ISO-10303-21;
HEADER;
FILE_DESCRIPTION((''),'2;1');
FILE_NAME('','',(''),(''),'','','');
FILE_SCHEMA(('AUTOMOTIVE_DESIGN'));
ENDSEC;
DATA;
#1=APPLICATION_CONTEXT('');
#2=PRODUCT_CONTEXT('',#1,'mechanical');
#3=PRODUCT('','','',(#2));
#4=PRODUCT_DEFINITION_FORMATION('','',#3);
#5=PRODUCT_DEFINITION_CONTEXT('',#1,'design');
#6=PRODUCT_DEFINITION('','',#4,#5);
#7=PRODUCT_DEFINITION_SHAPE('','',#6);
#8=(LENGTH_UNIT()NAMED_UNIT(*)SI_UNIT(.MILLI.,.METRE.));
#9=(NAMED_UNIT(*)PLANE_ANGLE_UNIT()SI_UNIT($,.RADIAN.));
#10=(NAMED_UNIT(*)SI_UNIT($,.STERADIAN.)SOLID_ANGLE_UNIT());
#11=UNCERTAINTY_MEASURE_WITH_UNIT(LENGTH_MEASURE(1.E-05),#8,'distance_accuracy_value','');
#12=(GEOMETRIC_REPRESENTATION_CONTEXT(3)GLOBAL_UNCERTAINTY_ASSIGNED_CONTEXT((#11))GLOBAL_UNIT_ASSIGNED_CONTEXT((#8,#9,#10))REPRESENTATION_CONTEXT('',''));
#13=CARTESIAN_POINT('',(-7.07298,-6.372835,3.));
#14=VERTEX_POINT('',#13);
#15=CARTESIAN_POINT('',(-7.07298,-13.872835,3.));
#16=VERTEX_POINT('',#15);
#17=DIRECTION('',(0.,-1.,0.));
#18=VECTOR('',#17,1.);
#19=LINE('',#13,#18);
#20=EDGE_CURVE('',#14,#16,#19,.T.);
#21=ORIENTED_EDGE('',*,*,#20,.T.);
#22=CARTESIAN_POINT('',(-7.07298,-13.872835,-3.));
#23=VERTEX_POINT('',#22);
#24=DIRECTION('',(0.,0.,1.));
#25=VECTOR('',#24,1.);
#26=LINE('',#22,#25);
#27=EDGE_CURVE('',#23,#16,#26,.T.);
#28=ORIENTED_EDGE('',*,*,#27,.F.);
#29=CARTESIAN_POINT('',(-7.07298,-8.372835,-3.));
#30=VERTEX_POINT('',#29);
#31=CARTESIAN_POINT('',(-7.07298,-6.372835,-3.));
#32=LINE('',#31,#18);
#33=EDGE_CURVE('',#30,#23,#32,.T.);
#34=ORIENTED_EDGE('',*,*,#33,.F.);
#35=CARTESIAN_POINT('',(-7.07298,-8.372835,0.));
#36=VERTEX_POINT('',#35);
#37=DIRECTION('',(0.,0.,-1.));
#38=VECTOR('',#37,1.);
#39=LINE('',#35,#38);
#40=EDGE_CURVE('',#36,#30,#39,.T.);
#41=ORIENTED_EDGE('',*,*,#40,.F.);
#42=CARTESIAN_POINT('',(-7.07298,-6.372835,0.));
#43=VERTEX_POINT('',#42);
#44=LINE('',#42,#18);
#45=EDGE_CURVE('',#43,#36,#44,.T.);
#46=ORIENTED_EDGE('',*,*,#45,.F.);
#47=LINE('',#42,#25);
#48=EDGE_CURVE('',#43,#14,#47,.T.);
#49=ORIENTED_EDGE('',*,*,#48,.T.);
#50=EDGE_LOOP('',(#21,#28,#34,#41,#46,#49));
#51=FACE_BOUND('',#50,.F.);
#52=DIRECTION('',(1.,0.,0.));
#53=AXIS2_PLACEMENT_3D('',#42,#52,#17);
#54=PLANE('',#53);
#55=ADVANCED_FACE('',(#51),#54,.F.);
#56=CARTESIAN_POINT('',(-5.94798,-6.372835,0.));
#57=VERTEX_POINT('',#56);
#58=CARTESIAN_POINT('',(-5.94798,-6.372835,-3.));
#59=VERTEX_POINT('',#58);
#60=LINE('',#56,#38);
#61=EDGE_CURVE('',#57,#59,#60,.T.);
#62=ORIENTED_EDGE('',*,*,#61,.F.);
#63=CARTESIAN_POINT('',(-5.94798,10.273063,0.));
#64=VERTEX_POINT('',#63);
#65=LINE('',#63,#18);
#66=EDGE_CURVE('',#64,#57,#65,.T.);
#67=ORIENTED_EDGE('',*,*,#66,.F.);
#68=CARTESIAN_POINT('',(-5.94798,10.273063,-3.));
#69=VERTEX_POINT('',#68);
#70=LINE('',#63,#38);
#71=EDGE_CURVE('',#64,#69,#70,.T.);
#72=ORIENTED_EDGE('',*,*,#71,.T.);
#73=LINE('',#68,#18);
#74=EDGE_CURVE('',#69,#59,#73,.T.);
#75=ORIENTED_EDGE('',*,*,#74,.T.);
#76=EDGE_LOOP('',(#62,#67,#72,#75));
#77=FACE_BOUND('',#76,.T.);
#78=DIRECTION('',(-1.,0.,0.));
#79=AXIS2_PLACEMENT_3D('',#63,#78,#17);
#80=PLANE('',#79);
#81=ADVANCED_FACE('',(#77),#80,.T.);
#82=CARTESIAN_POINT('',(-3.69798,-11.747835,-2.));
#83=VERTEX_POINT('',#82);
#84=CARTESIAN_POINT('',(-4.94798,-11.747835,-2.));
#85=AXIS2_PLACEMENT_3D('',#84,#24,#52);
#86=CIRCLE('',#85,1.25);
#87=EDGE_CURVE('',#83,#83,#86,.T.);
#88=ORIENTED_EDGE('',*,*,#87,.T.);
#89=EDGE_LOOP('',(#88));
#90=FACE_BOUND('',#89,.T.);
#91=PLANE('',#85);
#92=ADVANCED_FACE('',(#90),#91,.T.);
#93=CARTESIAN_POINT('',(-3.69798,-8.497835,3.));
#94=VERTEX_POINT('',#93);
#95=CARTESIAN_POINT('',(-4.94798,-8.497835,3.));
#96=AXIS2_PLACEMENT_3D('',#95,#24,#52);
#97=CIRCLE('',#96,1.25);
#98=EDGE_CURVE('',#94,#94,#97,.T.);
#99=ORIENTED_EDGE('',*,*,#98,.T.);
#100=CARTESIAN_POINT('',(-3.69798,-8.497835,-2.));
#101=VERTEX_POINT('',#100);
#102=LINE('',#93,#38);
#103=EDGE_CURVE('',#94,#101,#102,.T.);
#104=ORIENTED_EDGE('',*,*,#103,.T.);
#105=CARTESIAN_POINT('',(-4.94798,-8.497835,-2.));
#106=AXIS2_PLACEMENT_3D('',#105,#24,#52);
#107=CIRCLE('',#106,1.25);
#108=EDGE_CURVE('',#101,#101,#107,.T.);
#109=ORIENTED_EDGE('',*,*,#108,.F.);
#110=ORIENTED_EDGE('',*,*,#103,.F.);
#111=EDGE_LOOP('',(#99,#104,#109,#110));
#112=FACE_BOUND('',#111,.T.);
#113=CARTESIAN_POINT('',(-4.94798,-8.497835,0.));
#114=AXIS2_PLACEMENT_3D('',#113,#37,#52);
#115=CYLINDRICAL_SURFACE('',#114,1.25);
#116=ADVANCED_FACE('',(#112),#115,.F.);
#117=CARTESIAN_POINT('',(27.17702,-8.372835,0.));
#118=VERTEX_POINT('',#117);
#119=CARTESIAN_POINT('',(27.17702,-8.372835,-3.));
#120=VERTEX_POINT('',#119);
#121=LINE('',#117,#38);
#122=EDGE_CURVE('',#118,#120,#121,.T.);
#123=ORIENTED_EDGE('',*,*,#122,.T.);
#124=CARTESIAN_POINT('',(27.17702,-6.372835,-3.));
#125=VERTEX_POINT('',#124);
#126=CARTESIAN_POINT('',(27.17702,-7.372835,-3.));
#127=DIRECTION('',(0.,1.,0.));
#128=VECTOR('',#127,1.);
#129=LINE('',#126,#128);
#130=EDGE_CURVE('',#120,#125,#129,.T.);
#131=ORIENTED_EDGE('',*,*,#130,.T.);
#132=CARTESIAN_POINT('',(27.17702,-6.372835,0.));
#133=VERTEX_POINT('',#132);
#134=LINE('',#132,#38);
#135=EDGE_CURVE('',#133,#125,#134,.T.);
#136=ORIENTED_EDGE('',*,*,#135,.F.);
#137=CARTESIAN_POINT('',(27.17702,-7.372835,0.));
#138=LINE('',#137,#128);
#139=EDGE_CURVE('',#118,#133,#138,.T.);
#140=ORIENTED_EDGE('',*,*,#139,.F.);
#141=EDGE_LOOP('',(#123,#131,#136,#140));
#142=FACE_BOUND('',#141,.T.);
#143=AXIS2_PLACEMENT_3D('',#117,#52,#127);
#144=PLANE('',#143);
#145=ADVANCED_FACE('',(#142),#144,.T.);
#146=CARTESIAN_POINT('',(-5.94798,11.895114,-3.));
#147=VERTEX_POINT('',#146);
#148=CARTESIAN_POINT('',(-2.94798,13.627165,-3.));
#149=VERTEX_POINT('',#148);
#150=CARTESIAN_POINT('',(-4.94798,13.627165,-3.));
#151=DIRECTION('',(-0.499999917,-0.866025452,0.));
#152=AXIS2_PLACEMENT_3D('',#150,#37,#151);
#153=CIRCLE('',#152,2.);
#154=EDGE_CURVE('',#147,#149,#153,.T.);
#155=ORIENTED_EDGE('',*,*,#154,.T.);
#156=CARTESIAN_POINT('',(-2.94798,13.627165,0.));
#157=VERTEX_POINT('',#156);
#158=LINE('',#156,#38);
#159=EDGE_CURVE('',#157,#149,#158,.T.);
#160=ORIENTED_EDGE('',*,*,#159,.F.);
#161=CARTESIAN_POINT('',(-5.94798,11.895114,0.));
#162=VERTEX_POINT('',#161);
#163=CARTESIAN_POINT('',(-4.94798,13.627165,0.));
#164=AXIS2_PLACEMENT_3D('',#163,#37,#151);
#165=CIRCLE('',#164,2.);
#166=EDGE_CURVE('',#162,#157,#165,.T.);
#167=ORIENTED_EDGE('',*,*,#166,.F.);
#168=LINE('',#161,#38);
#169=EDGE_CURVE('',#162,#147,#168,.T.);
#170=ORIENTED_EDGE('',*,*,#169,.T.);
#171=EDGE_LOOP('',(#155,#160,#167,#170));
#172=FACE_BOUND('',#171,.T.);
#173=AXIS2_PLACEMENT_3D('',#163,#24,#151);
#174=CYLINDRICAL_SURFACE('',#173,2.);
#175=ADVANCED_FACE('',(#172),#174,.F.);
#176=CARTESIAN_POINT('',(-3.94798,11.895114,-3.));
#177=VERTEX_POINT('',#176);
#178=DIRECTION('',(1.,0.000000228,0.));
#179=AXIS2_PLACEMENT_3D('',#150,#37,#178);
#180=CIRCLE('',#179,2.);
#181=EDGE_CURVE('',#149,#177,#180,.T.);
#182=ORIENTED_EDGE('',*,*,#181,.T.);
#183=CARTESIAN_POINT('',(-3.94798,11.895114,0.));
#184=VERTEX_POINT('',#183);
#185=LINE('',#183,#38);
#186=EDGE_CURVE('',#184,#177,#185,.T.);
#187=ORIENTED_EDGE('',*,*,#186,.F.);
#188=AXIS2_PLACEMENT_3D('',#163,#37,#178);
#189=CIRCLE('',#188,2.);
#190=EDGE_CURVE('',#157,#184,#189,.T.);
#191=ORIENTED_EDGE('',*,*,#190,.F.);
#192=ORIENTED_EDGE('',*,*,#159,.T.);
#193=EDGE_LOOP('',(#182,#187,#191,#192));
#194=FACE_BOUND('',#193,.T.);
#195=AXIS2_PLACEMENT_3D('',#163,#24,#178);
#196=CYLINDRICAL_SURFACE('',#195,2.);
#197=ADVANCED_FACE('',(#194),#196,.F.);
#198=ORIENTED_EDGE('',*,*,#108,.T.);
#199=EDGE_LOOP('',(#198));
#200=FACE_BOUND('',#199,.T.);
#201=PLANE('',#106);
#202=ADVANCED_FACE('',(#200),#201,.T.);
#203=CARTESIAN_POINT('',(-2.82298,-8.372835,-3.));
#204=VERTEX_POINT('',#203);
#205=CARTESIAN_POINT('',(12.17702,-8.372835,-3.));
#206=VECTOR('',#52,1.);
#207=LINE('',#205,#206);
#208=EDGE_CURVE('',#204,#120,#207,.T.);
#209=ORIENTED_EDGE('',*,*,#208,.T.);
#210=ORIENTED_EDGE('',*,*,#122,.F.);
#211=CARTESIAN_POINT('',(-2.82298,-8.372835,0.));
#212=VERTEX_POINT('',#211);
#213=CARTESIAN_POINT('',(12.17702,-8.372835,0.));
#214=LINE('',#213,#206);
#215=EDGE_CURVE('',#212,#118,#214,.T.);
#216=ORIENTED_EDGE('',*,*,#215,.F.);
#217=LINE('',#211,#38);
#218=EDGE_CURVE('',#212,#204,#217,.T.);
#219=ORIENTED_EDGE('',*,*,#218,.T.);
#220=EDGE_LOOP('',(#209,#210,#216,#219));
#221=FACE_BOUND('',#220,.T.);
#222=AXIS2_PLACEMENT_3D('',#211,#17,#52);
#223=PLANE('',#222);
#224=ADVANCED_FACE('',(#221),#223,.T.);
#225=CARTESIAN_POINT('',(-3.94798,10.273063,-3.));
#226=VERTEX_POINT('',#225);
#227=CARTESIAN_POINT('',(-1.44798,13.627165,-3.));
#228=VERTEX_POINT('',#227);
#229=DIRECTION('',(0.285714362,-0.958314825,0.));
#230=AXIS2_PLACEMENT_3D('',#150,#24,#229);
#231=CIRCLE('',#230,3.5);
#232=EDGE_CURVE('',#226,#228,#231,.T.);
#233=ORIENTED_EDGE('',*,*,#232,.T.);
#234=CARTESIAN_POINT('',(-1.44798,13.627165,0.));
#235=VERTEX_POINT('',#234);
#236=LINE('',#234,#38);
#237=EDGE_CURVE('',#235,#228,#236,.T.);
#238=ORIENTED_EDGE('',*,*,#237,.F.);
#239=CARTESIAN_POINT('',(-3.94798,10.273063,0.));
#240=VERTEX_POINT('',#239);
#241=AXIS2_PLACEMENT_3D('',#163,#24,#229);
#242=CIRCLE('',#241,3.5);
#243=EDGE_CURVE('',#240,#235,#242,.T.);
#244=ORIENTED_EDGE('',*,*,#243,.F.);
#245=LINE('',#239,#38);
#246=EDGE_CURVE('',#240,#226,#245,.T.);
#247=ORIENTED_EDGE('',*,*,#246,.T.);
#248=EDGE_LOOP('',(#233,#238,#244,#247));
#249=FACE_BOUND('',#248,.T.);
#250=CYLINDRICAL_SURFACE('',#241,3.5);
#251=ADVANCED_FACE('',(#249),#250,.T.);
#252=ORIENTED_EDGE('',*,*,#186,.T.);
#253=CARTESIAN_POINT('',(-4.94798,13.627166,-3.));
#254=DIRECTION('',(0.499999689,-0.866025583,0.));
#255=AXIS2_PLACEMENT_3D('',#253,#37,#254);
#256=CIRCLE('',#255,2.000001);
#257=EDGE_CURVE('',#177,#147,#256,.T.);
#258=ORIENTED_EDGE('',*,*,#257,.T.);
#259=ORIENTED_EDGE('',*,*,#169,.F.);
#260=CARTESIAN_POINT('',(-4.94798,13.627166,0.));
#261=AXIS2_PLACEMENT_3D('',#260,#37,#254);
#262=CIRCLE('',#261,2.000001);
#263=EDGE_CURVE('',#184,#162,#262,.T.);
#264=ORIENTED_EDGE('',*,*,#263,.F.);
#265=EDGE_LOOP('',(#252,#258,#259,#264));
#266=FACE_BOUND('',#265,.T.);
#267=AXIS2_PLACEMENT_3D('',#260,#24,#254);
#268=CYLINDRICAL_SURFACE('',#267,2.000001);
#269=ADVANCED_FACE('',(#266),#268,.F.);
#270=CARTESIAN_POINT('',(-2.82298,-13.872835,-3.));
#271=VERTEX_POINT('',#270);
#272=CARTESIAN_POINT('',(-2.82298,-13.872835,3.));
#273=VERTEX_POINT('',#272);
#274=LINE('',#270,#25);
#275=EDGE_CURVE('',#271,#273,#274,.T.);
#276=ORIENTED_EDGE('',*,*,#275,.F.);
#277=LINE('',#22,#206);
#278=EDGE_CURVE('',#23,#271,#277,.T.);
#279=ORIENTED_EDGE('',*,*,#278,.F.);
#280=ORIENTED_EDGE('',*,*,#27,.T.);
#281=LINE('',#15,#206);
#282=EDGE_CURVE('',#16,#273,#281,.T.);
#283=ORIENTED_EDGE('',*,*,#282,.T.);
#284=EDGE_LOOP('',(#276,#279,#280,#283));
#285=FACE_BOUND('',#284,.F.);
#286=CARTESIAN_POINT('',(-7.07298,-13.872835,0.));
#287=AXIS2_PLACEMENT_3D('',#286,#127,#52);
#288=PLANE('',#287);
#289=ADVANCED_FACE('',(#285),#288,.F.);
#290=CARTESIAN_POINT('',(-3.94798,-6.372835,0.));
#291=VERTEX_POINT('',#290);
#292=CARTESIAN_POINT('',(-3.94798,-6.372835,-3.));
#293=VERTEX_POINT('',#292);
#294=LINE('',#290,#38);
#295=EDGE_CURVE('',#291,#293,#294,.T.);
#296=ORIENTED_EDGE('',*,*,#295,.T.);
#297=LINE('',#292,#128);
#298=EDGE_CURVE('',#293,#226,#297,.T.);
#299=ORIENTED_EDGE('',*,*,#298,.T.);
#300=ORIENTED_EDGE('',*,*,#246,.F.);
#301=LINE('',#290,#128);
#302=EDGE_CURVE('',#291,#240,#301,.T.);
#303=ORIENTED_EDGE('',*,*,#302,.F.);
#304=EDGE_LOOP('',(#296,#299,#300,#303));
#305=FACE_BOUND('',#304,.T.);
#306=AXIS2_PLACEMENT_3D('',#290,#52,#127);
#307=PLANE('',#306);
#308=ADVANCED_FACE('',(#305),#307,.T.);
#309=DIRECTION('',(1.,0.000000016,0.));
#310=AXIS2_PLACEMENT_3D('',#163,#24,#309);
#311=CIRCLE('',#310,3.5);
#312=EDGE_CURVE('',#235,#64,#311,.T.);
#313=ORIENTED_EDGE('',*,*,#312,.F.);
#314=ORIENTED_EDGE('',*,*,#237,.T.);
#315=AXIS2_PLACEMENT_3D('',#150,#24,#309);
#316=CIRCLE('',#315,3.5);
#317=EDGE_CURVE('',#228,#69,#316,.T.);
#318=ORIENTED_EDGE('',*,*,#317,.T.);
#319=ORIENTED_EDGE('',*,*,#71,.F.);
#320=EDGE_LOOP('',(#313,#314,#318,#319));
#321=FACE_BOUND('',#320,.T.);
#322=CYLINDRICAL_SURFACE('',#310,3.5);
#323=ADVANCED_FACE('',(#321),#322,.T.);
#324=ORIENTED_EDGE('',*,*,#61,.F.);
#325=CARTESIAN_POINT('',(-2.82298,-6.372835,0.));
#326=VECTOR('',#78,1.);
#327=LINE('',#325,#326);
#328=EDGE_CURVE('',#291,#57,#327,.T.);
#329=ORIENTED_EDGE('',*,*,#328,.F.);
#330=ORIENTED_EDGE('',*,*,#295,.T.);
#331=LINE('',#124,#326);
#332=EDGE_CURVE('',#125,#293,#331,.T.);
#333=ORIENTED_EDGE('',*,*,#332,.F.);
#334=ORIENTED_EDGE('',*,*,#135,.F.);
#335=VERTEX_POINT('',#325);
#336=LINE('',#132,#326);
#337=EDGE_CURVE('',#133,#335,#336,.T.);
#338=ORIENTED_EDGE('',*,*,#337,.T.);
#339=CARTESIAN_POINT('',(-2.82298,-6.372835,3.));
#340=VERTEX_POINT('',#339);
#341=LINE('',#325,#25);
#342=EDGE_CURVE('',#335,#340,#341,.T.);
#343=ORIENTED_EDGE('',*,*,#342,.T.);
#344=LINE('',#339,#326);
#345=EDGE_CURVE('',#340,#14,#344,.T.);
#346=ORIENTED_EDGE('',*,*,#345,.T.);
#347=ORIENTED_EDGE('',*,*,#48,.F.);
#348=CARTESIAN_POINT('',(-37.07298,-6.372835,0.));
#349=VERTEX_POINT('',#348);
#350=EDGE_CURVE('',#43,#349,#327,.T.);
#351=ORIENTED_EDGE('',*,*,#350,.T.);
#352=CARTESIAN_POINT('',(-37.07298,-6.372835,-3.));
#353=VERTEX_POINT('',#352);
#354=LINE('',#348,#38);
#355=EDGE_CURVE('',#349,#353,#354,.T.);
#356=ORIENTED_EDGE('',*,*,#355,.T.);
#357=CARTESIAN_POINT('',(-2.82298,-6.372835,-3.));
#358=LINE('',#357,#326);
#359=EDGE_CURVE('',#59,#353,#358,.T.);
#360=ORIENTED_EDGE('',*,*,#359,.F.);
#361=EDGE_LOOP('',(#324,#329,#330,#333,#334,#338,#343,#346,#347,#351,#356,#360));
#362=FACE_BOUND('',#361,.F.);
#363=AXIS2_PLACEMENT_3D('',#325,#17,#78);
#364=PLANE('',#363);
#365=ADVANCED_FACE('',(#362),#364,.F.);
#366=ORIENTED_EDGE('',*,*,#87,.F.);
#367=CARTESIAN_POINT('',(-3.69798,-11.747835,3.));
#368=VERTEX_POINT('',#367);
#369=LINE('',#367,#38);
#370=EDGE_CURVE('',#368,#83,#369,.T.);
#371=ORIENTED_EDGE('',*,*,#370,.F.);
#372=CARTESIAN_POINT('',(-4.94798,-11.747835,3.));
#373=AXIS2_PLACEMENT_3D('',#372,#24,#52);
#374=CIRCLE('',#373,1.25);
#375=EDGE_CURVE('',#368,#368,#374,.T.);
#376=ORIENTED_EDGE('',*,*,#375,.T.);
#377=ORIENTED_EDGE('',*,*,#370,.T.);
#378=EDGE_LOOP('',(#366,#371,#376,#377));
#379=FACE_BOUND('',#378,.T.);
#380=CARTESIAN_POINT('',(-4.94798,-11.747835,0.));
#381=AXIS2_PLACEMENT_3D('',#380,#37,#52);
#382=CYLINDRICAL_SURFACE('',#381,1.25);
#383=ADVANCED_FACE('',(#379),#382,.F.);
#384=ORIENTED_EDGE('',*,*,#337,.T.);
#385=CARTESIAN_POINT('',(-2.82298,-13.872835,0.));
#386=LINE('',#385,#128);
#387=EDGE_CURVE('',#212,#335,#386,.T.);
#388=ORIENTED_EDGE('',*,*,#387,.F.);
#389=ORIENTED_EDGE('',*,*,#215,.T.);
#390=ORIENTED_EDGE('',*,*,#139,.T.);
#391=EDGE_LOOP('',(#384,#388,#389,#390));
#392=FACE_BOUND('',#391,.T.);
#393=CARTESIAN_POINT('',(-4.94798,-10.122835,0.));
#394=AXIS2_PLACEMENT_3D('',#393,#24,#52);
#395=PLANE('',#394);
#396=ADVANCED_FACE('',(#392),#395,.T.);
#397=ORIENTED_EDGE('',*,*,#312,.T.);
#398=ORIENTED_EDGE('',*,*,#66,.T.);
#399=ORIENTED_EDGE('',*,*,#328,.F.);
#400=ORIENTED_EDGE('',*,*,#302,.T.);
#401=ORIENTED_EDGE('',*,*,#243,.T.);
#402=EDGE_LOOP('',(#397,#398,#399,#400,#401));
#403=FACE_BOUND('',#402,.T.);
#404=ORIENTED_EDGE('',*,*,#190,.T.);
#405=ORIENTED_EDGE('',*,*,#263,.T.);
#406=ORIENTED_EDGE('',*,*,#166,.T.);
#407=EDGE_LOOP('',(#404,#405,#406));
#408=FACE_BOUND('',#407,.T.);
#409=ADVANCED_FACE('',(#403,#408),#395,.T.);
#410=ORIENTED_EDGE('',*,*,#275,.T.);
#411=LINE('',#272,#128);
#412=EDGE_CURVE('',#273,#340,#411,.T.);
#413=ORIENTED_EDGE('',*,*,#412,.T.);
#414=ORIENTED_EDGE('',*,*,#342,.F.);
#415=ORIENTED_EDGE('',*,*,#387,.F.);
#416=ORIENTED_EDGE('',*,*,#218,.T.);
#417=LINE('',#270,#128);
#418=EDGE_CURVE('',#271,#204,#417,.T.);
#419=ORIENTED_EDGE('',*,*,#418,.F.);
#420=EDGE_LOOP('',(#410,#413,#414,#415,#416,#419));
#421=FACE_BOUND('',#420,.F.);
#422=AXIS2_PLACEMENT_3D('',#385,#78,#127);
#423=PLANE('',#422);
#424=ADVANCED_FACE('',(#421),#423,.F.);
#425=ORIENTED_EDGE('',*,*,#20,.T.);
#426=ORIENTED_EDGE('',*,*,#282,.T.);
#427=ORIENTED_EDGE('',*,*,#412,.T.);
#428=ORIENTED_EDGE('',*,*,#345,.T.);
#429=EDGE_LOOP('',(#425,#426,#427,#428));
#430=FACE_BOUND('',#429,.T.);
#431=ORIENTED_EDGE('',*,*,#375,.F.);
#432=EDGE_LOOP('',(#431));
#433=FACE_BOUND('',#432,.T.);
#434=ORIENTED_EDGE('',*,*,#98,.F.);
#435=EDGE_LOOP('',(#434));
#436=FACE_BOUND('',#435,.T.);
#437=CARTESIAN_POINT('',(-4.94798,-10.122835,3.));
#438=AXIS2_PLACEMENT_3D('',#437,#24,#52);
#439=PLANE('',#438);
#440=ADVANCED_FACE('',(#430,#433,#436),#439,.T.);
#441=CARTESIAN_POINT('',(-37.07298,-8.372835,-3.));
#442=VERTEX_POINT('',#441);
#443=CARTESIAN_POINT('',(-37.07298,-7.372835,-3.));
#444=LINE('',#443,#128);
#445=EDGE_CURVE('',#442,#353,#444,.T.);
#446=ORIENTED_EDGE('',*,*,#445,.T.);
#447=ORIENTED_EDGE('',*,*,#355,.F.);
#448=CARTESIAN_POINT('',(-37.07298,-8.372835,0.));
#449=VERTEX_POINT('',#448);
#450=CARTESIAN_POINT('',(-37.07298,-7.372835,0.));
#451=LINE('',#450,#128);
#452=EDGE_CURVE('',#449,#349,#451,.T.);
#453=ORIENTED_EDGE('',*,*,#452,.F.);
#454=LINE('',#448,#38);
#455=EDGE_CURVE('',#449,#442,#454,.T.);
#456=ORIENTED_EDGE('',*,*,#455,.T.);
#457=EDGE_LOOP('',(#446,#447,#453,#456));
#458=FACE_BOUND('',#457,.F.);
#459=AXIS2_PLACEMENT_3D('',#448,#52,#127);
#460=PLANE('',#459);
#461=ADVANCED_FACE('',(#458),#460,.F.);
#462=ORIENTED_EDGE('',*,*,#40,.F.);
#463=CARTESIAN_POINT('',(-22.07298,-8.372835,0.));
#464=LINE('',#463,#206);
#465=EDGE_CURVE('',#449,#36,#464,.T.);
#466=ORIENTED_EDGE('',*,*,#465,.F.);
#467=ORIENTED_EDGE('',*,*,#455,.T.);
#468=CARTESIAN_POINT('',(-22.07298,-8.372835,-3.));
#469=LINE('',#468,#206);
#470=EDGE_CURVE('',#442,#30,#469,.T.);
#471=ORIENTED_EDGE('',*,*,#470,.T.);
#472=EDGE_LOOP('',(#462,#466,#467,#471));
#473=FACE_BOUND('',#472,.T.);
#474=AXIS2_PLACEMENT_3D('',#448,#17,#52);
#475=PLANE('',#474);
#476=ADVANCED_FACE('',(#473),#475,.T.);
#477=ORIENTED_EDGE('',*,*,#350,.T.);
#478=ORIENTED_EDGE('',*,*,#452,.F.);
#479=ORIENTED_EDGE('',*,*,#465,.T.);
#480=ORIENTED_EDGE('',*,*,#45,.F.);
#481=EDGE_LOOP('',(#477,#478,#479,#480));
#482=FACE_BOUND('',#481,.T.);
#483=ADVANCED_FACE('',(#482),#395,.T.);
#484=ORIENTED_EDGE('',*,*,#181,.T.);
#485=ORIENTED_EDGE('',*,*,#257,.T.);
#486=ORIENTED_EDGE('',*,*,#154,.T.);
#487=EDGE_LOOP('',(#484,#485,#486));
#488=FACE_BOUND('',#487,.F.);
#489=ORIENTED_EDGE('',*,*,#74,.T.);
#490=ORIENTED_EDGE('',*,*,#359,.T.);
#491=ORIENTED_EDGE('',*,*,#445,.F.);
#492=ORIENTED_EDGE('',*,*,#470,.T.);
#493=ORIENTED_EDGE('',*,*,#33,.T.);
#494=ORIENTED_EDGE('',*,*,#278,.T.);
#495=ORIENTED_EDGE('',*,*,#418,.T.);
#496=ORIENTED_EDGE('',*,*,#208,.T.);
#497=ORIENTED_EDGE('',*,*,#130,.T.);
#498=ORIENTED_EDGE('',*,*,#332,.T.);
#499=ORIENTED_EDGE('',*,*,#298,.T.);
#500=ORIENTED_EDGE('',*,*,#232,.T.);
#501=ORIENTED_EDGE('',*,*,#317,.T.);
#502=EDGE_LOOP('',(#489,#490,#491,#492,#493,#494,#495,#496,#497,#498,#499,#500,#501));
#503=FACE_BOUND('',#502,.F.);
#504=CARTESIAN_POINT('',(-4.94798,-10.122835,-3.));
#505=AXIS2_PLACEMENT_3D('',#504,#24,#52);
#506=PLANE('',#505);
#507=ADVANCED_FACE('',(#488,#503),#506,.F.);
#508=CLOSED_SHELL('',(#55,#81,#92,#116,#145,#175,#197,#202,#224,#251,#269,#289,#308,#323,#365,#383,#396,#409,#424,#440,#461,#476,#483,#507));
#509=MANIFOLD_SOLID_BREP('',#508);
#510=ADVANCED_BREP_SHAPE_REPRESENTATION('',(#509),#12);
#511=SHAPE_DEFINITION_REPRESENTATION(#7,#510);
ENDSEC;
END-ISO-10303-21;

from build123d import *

# Parameters (mm, degrees)
F0_R     = 1.25
F0_W     = 30
F0_H     = 2
F1_DEPTH = 3
F2_DEPTH = 3
F3_DEPTH = 2


with BuildPart() as f1:
    # F0 (on Top) → F1 (new body)
    with BuildSketch(Plane.XY):
        Polygon((-5.94798, -6.372835), (-7.07298, -6.372835), (-7.07298, -8.372835), (-7.07298, -13.872835), (-2.82298, -13.872835), (-2.82298, -8.372835), (-2.82298, -6.372835), (-3.94798, -6.372835), align=None)
        with Locations((-4.94798, -11.747835)):
            Circle(F0_R, mode=Mode.SUBTRACT)
        with Locations((-4.94798, -8.497835)):
            Circle(F0_R, mode=Mode.SUBTRACT)
        with Locations((-22.07298, -7.372835)):
            Rectangle(F0_W, F0_H)
        with BuildLine():
            Line((-5.94798, 10.273063), (-5.94798, -6.372835))
            Line((-5.94798, -6.372835), (-3.94798, -6.372835))
            Line((-3.94798, -6.372835), (-3.94798, 10.273063))
            ThreePointArc((-3.94798, 10.273063), (-4.94798, 10.127165), (-5.94798, 10.273063))
        make_face()
        with BuildLine():
            ThreePointArc((-1.44798, 13.627165), (-7.03963, 16.433408), (-5.94798, 10.273063))
            Line((-5.94798, 10.273063), (-5.94798, 11.895114))
            ThreePointArc((-5.94798, 11.895114), (-5.94798, 15.359216), (-2.94798, 13.627165))
            ThreePointArc((-2.94798, 13.627165), (-3.215929, 12.627165), (-3.94798, 11.895114))
            Line((-3.94798, 11.895114), (-3.94798, 10.273063))
            ThreePointArc((-3.94798, 10.273063), (-2.141737, 11.535515), (-1.44798, 13.627165))
        make_face()
        with Locations((12.17702, -7.372835)):
            Rectangle(F0_W, F0_H)
        with BuildLine():
            Line((-5.94798, 11.895114), (-5.94798, 10.273063))
            ThreePointArc((-5.94798, 10.273063), (-4.94798, 10.127165), (-3.94798, 10.273063))
            Line((-3.94798, 10.273063), (-3.94798, 11.895114))
            ThreePointArc((-3.94798, 11.895114), (-4.94798, 11.627165), (-5.94798, 11.895114))
        make_face()
        with Locations((-4.94798, -8.497835)):
            Circle(F0_R)
        with Locations((-4.94798, -11.747835)):
            Circle(F0_R)
    extrude(amount=-F1_DEPTH)

    # F0 (on Top) → F2 (join)
    with BuildSketch(Plane.XY):
        Polygon((-5.94798, -6.372835), (-7.07298, -6.372835), (-7.07298, -8.372835), (-7.07298, -13.872835), (-2.82298, -13.872835), (-2.82298, -8.372835), (-2.82298, -6.372835), (-3.94798, -6.372835), align=None)
        with Locations((-4.94798, -11.747835)):
            Circle(F0_R, mode=Mode.SUBTRACT)
        with Locations((-4.94798, -8.497835)):
            Circle(F0_R, mode=Mode.SUBTRACT)
    extrude(amount=F2_DEPTH)

    # F0 (on Top) → F3 (cut)
    with BuildSketch(Plane.XY):
        with Locations((-4.94798, -8.497835)):
            Circle(F0_R)
        with Locations((-4.94798, -11.747835)):
            Circle(F0_R)
    extrude(amount=-F3_DEPTH, mode=Mode.SUBTRACT)


solid = f1.part
